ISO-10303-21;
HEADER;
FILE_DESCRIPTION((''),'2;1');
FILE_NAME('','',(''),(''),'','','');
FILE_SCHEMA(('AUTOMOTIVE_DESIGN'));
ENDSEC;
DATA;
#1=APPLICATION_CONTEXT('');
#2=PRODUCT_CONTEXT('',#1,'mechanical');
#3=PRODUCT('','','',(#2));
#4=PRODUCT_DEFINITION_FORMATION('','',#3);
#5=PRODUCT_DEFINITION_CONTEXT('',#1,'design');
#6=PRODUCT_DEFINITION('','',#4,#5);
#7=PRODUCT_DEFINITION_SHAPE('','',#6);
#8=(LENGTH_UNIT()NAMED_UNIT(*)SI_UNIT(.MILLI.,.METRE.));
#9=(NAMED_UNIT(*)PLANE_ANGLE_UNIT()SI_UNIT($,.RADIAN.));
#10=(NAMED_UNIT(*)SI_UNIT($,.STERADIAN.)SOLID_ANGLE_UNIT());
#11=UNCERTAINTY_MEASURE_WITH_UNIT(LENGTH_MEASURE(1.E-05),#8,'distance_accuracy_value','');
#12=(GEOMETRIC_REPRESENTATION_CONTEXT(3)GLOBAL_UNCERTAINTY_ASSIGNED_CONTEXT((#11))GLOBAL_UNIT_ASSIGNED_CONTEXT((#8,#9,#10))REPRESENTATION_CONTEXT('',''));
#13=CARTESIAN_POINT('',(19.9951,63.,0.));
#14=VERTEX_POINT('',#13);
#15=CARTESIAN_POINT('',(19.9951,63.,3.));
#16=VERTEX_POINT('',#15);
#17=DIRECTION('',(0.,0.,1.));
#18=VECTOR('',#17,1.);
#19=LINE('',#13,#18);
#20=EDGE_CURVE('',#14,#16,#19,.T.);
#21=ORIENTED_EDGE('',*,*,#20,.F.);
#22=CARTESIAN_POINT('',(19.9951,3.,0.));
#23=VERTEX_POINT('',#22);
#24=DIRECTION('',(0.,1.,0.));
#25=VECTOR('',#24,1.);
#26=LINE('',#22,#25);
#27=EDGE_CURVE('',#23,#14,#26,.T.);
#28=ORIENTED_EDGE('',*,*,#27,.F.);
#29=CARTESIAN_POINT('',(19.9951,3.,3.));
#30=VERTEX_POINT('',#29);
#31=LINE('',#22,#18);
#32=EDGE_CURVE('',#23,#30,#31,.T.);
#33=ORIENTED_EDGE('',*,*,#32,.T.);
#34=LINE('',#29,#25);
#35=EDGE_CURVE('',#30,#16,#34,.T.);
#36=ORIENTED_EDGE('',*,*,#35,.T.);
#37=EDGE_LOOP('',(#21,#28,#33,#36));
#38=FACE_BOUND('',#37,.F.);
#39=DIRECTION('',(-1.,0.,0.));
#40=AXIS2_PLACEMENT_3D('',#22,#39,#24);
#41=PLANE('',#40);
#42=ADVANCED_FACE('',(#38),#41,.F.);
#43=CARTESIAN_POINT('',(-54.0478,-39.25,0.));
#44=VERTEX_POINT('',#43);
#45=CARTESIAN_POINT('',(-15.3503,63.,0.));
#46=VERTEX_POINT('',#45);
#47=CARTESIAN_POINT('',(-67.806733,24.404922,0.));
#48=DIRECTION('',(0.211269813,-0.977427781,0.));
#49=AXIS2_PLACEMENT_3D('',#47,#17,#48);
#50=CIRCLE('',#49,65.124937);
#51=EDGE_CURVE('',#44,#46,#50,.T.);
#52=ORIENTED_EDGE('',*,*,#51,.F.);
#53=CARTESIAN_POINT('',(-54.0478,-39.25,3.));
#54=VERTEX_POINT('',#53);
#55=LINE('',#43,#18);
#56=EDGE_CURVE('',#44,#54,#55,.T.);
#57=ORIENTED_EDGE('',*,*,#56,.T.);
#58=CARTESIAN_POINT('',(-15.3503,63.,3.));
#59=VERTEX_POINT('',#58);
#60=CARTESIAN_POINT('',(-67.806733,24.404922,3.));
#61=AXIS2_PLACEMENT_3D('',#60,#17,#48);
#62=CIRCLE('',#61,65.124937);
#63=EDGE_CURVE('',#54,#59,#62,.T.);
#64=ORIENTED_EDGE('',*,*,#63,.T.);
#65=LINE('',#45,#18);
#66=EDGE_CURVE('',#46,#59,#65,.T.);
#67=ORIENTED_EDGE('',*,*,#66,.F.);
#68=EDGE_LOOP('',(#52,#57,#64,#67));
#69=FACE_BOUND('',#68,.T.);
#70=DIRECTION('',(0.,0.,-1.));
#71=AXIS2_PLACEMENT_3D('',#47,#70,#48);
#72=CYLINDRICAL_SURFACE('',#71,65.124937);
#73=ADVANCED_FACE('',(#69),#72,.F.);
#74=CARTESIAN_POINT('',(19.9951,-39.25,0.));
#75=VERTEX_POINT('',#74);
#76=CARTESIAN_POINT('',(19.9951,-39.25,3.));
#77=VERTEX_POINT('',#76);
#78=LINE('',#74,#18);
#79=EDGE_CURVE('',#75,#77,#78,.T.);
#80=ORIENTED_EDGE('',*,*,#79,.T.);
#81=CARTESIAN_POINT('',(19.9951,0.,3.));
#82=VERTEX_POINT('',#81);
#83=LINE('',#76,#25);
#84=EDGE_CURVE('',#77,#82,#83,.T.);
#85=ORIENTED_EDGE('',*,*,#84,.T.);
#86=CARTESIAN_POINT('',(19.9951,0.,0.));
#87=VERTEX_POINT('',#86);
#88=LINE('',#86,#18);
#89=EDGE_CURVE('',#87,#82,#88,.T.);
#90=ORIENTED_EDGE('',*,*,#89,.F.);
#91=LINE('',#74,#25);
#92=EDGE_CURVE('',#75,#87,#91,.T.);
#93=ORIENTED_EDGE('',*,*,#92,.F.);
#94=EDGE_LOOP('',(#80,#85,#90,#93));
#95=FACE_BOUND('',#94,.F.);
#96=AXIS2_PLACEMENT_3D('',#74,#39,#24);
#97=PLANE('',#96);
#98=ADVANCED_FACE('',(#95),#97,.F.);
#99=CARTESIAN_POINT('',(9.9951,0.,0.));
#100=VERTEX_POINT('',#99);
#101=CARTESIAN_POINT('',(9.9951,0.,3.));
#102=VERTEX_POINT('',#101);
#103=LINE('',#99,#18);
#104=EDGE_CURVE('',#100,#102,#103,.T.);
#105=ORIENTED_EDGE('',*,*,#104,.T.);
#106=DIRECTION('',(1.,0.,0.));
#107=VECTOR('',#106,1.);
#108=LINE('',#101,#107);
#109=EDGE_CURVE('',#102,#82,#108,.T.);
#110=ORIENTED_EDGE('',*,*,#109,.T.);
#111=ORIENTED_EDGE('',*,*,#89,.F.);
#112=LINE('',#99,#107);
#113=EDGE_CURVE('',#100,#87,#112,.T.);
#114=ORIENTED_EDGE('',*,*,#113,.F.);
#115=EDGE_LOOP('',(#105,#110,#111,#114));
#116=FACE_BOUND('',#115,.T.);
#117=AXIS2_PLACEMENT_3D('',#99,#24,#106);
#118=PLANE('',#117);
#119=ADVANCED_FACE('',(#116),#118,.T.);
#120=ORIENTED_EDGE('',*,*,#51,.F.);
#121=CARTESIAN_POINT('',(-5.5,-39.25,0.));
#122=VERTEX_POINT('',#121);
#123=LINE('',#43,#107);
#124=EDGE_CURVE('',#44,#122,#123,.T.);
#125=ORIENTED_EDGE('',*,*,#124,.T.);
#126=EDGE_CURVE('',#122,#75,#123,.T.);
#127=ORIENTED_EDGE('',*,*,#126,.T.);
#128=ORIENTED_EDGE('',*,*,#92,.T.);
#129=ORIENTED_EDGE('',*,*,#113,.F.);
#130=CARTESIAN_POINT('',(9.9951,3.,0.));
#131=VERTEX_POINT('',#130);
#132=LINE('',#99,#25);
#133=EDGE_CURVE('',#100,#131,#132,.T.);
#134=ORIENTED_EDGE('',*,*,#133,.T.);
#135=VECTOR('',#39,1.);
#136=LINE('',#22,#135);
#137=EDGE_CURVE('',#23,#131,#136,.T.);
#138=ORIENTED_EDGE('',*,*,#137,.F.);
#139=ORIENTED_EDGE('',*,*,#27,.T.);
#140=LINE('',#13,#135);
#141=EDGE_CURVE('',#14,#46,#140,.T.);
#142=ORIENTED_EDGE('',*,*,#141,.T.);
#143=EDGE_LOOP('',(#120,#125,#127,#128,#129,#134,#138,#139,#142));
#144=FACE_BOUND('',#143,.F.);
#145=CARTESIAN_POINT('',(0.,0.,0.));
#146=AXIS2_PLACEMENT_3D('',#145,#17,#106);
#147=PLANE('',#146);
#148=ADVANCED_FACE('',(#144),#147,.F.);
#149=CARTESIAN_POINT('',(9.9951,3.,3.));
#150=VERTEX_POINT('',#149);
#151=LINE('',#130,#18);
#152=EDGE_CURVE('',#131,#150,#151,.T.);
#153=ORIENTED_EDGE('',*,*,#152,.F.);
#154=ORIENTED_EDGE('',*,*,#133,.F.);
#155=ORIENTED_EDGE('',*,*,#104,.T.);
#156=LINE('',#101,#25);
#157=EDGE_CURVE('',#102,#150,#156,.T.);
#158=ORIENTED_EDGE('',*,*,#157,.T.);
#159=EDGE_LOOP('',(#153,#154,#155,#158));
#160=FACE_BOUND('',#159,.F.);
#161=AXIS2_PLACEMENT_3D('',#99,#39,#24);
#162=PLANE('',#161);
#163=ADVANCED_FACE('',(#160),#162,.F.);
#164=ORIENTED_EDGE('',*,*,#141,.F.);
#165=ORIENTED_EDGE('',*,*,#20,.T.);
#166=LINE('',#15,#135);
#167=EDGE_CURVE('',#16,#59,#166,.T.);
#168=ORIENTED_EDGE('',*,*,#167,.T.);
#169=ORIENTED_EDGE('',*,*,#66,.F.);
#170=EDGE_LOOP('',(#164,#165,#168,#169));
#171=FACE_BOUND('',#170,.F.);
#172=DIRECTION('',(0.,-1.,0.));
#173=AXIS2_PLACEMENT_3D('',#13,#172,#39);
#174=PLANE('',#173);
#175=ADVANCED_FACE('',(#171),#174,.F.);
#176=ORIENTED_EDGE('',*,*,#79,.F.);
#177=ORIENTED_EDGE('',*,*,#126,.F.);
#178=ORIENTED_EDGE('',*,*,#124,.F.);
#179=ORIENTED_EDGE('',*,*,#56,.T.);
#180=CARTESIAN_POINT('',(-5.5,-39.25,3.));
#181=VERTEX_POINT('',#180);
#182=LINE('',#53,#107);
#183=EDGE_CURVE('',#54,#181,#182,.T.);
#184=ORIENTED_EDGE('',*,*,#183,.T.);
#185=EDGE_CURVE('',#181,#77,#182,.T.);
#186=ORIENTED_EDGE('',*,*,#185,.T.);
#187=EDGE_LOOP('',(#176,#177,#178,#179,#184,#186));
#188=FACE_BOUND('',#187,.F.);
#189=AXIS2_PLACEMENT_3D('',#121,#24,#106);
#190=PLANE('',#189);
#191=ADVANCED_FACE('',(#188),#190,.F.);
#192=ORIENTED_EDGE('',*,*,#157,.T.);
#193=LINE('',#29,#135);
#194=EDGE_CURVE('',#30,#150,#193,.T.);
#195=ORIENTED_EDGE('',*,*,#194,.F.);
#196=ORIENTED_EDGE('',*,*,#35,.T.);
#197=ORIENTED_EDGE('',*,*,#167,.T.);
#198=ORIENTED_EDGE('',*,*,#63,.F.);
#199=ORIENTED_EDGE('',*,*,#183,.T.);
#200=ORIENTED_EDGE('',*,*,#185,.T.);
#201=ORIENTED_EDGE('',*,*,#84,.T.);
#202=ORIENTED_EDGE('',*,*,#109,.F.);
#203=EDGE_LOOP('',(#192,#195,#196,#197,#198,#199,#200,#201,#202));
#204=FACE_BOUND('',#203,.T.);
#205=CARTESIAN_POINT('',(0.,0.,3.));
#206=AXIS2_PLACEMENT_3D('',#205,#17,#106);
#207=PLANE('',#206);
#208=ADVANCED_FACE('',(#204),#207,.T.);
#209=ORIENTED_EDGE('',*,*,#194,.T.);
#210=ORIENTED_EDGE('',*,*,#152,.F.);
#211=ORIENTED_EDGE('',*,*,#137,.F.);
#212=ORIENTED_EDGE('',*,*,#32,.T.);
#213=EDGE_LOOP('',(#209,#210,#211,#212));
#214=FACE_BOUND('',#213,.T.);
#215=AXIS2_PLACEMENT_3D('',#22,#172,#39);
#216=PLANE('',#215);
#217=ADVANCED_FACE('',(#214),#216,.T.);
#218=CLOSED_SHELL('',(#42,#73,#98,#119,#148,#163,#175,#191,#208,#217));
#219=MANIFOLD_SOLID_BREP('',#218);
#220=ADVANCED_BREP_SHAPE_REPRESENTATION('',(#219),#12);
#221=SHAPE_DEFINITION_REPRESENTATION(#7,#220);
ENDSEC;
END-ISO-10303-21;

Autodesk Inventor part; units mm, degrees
ref_plane "YZ Plane" through (0, 0, 0) normal (1, 0, 0) x (0, 1, 0)
ref_plane "XZ Plane" through (0, 0, 0) normal (0, 1, 0) x (-1, 0, 0)
ref_plane "XY Plane" through (0, 0, 0) normal (0, 0, 1) x (1, 0, 0)
sketch "Sketch1" plane through (0, 0, 0) normal (0, 0, 1) x (1, 0, 0)
  line L0 (-54.0478, -39.25) -> (19.9951, -39.25)
  line L1 (-60.0049, 0) -> (-60.0049, 3) projected
  line L2 (9.9951, 0) -> (9.9951, 3) projected
  line L3 (9.9951, 0) -> (-0.0048, 0) projected
  line L4 (-0.0048, 0) -> (-0.0048, 3) projected
  line L5 (9.9951, 3) -> (-0.0048, 3) projected
  line L6 (9.9952, 0) -> (9.9952, 3) projected
  line L7 (9.9951, 0) -> (19.9951, 0)
  line L8 (19.9951, 3) -> (10.1225, 3)
  line L9 (19.9951, -39.25) -> (19.9951, 0)
  line L10 (19.9951, 3) -> (19.9951, 63)
  arc A0 (-54.0478, -39.25) -> (-15.3503, 63) centre (-67.8068, 24.405) ccw
  line L11 (19.9951, 63) -> (-15.3503, 63)
  circle A1 centre (-67.8068, 24.405) radius 25
  circle A2 centre (-67.8068, 7.905) radius 9
  circle A3 centre (-52.8068, 24.405) radius 11
  circle A4 centre (-5.5, -11.25) radius 2.0625 projected
  line L12 (-5.5, -11.25) -> (-5.5, -41.25)
  line L13 (10.1225, 3) -> (-0.0048, 3)
  line L14 (-0.0048, 0) -> (19.9951, 0)
  point P0 (9.9951, 1.5)
  point P1 (4.9951, 3)
  point P2 (10.1225, 3)
  point P3 (9.9951, 3)
  dimension "d5" = 50
  dimension "d6" = 40.125
  dimension "d7" = 35.3453
  dimension "d9" = 10
  dimension "d10" = 10
  dimension "d11" = 18
  dimension "d12" = 16.5
  dimension "d13" = 0
  dimension "d14" = 22
  dimension "d15" = 15
  dimension "d16" = 0
  dimension "d20" = 30
  dimension "d22" = 2
  dimension "d23" = 60
extrude "Extrusion1" add sketch "Sketch1" along normal blind 3 contours A4 | A0 L11 L10 L8 L13 L5 L4 L3 L7 L9 L0 | L3 L4 L5 L2
properties part number "collectballLR"
